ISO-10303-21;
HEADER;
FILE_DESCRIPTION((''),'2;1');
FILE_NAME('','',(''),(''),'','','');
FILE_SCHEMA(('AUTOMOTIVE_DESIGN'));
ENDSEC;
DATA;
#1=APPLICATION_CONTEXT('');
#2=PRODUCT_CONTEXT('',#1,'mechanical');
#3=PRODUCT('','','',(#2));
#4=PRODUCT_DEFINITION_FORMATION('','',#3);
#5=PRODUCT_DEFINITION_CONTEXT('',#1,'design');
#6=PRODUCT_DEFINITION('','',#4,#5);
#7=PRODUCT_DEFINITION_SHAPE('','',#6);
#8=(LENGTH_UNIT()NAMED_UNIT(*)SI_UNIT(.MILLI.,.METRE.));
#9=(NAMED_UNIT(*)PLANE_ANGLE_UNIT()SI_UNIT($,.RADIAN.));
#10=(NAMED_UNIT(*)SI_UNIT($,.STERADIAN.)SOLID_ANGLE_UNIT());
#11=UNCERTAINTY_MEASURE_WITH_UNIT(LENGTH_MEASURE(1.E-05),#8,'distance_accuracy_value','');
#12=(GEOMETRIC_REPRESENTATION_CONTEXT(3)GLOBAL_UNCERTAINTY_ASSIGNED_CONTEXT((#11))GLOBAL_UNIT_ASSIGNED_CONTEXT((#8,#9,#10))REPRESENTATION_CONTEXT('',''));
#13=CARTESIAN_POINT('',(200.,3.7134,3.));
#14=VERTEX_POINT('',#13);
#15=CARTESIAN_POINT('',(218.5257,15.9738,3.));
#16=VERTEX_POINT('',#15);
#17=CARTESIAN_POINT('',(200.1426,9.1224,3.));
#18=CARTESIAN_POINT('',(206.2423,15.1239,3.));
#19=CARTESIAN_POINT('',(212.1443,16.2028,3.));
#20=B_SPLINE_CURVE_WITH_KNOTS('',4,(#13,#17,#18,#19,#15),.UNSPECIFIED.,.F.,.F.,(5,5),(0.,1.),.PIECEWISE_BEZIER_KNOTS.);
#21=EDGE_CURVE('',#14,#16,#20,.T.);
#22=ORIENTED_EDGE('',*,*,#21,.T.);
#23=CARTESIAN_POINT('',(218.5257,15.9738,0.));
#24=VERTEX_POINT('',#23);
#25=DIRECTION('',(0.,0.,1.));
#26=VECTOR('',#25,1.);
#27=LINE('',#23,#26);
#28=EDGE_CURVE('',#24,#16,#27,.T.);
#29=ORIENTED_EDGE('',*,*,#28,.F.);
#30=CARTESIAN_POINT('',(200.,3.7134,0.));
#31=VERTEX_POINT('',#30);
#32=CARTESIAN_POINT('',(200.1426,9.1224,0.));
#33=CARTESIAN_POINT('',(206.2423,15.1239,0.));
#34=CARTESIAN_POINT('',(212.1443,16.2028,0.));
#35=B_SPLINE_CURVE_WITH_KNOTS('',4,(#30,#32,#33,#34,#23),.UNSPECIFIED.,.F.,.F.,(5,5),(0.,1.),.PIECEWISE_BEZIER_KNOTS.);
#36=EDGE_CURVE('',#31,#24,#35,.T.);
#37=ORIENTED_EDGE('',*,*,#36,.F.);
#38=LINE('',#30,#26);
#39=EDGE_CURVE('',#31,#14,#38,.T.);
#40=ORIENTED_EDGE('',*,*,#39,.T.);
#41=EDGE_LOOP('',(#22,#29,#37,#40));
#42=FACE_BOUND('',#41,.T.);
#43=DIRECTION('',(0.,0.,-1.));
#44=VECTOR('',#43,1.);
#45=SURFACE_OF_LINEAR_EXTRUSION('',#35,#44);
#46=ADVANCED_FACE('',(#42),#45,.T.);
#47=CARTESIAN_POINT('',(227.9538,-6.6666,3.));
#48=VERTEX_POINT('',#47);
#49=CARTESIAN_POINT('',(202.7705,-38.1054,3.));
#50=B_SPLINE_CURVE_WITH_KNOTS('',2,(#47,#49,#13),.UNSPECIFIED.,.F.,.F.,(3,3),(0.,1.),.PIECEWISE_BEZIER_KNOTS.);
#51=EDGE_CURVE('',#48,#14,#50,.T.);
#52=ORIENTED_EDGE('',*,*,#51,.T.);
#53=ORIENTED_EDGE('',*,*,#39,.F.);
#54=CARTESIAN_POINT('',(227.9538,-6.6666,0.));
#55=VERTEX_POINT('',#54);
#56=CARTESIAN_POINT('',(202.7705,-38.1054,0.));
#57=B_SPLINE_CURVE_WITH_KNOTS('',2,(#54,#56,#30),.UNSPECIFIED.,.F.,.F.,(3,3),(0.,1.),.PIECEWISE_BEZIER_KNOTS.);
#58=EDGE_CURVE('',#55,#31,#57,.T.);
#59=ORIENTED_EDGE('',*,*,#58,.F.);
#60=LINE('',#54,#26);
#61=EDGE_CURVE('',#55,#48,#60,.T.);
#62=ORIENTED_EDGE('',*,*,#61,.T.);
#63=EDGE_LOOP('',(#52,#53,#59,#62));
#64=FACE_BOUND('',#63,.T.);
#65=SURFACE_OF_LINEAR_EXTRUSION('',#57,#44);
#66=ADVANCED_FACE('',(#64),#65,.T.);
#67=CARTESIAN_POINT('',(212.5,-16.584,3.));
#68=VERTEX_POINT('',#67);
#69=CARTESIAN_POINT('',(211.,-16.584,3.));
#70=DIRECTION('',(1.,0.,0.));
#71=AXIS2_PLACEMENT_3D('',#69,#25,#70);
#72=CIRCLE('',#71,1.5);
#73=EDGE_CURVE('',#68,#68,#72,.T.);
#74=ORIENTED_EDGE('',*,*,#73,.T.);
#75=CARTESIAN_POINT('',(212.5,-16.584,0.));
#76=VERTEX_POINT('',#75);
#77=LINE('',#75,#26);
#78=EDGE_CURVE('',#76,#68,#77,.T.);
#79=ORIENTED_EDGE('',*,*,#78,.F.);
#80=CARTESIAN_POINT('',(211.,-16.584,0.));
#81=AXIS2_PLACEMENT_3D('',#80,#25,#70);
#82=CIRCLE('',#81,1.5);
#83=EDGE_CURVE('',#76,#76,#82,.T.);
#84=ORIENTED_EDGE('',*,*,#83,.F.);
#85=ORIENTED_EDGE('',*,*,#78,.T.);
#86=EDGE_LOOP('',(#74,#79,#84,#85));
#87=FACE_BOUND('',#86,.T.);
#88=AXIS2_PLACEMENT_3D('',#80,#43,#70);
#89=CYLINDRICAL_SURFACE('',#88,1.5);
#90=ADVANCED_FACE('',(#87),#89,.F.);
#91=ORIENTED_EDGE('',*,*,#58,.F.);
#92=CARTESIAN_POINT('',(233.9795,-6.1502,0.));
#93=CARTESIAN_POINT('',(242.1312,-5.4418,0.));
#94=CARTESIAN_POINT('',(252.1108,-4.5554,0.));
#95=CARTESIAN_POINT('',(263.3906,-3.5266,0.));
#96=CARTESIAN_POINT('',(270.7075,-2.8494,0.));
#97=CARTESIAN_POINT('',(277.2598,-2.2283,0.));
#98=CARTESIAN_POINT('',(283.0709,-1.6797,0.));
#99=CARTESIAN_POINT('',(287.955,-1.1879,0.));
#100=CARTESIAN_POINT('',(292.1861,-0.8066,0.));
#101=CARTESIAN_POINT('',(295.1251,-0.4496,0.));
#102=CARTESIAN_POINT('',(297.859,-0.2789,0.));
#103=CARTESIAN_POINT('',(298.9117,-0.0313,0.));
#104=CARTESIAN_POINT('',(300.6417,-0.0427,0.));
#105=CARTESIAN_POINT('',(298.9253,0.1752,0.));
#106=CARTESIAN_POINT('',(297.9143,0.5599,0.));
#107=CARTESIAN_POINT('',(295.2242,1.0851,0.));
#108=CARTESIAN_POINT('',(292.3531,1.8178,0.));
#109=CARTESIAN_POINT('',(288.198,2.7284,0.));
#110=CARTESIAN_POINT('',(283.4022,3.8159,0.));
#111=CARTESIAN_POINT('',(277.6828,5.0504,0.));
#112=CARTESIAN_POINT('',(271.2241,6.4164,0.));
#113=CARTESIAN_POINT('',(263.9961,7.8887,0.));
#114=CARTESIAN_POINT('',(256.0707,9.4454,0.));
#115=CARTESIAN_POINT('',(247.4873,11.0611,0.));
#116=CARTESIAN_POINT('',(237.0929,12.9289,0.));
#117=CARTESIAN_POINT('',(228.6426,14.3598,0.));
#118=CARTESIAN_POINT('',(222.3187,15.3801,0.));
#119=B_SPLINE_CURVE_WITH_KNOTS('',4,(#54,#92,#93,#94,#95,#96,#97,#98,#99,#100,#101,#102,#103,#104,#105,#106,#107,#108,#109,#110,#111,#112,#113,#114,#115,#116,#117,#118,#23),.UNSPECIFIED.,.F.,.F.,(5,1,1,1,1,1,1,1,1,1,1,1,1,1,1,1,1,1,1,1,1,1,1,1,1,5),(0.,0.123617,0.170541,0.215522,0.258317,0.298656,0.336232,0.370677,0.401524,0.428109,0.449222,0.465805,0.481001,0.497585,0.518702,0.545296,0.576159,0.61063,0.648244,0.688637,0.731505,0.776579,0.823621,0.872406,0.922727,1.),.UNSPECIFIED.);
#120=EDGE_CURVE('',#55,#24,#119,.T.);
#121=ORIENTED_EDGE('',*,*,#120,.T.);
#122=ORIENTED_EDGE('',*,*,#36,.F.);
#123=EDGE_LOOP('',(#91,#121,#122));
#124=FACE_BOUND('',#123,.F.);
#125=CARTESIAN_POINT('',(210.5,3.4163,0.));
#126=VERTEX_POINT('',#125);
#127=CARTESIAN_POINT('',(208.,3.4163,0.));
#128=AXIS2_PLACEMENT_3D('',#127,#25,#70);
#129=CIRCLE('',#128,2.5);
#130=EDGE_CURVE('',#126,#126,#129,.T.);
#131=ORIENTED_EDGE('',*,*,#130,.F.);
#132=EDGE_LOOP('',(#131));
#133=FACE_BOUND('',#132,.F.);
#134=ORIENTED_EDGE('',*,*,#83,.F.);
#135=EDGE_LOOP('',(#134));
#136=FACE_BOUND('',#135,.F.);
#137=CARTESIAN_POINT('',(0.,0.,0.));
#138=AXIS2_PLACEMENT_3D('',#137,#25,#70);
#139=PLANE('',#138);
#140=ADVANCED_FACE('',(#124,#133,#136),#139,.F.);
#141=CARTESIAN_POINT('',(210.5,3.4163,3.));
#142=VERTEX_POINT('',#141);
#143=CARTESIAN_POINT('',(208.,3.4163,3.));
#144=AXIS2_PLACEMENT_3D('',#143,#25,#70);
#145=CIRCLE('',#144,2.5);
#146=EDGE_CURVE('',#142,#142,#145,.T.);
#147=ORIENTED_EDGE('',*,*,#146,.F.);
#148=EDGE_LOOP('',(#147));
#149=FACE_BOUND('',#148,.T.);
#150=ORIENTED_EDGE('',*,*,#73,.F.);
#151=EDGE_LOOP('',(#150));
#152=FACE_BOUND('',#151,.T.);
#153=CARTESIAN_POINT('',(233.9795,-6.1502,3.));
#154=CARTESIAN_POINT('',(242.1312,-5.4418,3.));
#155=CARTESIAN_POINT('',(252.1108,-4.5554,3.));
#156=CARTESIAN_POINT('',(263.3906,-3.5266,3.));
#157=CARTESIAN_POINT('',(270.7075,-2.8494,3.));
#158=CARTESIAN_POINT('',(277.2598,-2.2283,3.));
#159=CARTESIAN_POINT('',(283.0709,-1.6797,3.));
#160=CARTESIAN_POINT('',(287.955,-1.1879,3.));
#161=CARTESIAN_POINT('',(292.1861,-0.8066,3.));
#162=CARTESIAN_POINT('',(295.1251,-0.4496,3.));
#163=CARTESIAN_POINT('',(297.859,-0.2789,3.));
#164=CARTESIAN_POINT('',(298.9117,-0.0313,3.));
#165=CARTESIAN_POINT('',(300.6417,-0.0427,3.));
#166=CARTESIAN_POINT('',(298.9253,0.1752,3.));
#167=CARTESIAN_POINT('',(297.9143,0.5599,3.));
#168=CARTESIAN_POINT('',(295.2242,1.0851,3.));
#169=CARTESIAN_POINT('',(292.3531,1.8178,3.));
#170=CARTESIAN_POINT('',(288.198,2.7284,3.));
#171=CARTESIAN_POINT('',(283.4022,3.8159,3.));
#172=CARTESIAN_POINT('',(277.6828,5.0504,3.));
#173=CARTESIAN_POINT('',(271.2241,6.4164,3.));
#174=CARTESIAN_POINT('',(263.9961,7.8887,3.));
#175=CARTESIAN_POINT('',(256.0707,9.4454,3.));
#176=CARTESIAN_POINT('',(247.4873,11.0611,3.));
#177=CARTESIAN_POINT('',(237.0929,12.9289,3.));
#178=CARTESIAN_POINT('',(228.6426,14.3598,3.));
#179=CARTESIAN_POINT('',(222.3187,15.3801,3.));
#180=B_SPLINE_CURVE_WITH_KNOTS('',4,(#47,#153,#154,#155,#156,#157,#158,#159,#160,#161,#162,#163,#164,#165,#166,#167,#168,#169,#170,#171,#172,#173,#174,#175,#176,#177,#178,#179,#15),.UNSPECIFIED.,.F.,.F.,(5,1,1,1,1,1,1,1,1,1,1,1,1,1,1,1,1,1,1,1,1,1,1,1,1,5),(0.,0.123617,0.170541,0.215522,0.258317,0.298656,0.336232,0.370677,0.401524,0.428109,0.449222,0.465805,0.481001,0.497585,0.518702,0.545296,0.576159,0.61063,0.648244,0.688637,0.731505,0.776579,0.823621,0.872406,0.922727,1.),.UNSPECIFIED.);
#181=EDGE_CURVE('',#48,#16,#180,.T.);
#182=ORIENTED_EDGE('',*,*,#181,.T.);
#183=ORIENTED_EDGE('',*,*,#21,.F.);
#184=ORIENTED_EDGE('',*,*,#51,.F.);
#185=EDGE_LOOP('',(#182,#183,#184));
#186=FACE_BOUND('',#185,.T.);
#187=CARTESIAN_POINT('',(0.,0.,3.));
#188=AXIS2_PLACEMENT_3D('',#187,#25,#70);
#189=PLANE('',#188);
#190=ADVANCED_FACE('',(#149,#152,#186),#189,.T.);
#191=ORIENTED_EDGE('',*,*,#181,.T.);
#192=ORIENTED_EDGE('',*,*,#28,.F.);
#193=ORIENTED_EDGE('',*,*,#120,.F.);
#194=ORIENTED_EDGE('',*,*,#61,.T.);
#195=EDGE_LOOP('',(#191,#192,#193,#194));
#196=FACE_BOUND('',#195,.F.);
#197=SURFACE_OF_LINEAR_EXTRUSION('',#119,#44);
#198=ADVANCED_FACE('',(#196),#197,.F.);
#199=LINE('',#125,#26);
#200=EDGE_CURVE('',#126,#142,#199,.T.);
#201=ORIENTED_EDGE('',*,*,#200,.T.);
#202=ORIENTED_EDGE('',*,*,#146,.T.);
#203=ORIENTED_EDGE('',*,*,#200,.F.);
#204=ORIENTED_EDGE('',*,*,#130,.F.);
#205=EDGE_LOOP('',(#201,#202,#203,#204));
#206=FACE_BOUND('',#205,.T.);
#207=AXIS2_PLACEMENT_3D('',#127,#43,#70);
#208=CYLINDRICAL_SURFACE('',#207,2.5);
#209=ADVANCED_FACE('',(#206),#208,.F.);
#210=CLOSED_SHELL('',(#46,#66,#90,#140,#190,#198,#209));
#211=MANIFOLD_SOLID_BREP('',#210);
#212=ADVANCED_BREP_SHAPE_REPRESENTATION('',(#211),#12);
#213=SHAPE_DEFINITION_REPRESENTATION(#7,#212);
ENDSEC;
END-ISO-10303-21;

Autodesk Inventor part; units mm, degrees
ref_plane "YZ Plane" through (0, 0, 0) normal (1, 0, 0) x (0, 1, 0)
ref_plane "XZ Plane" through (0, 0, 0) normal (0, 1, 0) x (-1, 0, 0)
ref_plane "XY Plane" through (0, 0, 0) normal (0, 0, 1) x (1, 0, 0)
sketch "Sketch1" plane through (0, 0, 0) normal (0, 0, 1) x (1, 0, 0)
  spline S0 degree 4 poles (227.9538, -6.6666) (233.9795, -6.1502) (242.1312, -5.4418) (252.1108, -4.5554) (263.3906, -3.5266) (270.7075, -2.8494) (277.2598, -2.2283) (283.0709, -1.6797) (287.955, -1.1879) (292.1861, -0.8066) (295.1251, -0.4496) (297.859, -0.2789) (298.9117, -0.0313) (300.6417, -0.0427) (298.9253, 0.1752) (297.9143, 0.5599) (295.2242, 1.0851) (292.3531, 1.8178) (288.198, 2.7284) (283.4022, 3.8159) (277.6828, 5.0504) (271.2241, 6.4164) (263.9961, 7.8887) (256.0707, 9.4454) (247.4873, 11.0611) (237.0929, 12.9289) (228.6426, 14.3598) (222.3187, 15.3801) (218.5257, 15.9738) knots 0 0 0 0 0 0.123617 0.170541 0.215522 0.258317 0.298656 0.336232 0.370677 0.401524 0.428109 0.449222 0.465805 0.481001 0.497585 0.518702 0.545296 0.576159 0.61063 0.648244 0.688637 0.731505 0.776579 0.823621 0.872406 0.922727 1 1 1 1 1
  line L0 (200, 103) -> (200, -97) construction
  line L1 (300, -103) -> (300, 103) construction
  line L2 (200, 3.7134) -> (300, 0) construction
  circle A0 centre (225, 2.7851) radius 2.5 construction
  line L3 (230.0222, 14.1744) -> (207.0292, 17.7732) construction
  arc A1 (227.7164, 14.4946) -> (209.3226, 17.3735) centre (52.1769, -1046.8526) ccw construction
  spline S1 degree 4 poles (200, 3.7134) (200.1426, 9.1224) (206.2423, 15.1239) (212.1443, 16.2028) (218.5257, 15.9738) knots 0 0 0 0 0 1 1 1 1 1
  line L4 (212.7843, 16.1798) -> (224.2671, 15.7678) construction
  arc A2 (223.0845, 15.568) -> (213.9496, 15.8959) centre (216.9735, -27.2787) ccw construction
  line L5 (199.8716, -1.156) -> (200.1284, 8.5828) construction
  arc A3 (201.0052, 7.043) -> (200.8284, 0.3354) centre (206.5929, 3.5396) ccw construction
  spline S2 degree 2 poles (227.9538, -6.6666) (202.7705, -38.1054) (200, 3.7134) knots 0 0 0 1 1 1
  circle A4 centre (211, -16.584) radius 1.5
  line L6 (197, -35.9531) -> (225, 2.7851) construction
  circle A5 centre (208, 3.4163) radius 2.5
  point P0 (299.5428, 0.1089)
  point P1 (298.1739, 0.4338)
  point P2 (295.9008, 0.9681)
  point P3 (292.7367, 1.7025)
  point P4 (288.6996, 2.6229)
  point P5 (283.8129, 3.7134)
  point P6 (278.1048, 4.9545)
  point P7 (271.6086, 6.3255)
  point P8 (264.3621, 7.8039)
  point P9 (256.4085, 9.3663)
  point P10 (247.7946, 10.9887)
  point P11 (238.572, 12.6468)
  point P12 (228.7959, 14.3166)
  point P13 (207.8235, 17.5944)
  point P14 (247.0398, -5.0019)
  point P15 (255.7236, -4.2234)
  point P16 (263.7597, -3.4905)
  point P17 (271.0965, -2.8098)
  point P18 (277.6872, -2.1882)
  point P19 (283.4889, -1.6323)
  point P20 (288.4641, -1.1487)
  point P21 (292.5804, -0.7434)
  point P22 (295.8102, -0.4221)
  point P23 (298.1328, -0.1887)
  point P24 (299.5323, -0.0474)
  point P25 (208.6203, -19.8763)
  dimension "d17" = 100
  dimension "d22" = 5
  dimension "d23" = 75
  dimension "d36" = 3
  dimension "d37" = 5
  dimension "d38" = 3
sketch "Sketch3" plane through (0, 0, 0) normal (0, 0, 1) x (1, 0, 0)
  point P0 (0, 0)
sketch "Sketch4" plane through (0, 0, 0) normal (0, 0, 1) x (1, 0, 0)
  point P0 (0, 0)
sketch "Sketch5" plane through (0, 0, 0) normal (0, 0, 1) x (1, 0, 0)
  point P0 (0, 0)
sketch "Sketch6" plane through (0, 0, 0) normal (0, 0, 1) x (1, 0, 0)
  point P0 (0, 0)
sketch "Sketch7" plane through (0, 0, 0) normal (0, 0, 1) x (1, 0, 0)
  point P0 (0, 0)
sketch "Sketch8" plane through (0, 0, 0) normal (0, 0, 1) x (1, 0, 0)
  point P0 (0, 0)
extrude "Extrusion2" add sketch "Sketch1" along normal blind 3
properties part number "AIL middle connecting rib extension assembly" material "Plywood, Finish"
